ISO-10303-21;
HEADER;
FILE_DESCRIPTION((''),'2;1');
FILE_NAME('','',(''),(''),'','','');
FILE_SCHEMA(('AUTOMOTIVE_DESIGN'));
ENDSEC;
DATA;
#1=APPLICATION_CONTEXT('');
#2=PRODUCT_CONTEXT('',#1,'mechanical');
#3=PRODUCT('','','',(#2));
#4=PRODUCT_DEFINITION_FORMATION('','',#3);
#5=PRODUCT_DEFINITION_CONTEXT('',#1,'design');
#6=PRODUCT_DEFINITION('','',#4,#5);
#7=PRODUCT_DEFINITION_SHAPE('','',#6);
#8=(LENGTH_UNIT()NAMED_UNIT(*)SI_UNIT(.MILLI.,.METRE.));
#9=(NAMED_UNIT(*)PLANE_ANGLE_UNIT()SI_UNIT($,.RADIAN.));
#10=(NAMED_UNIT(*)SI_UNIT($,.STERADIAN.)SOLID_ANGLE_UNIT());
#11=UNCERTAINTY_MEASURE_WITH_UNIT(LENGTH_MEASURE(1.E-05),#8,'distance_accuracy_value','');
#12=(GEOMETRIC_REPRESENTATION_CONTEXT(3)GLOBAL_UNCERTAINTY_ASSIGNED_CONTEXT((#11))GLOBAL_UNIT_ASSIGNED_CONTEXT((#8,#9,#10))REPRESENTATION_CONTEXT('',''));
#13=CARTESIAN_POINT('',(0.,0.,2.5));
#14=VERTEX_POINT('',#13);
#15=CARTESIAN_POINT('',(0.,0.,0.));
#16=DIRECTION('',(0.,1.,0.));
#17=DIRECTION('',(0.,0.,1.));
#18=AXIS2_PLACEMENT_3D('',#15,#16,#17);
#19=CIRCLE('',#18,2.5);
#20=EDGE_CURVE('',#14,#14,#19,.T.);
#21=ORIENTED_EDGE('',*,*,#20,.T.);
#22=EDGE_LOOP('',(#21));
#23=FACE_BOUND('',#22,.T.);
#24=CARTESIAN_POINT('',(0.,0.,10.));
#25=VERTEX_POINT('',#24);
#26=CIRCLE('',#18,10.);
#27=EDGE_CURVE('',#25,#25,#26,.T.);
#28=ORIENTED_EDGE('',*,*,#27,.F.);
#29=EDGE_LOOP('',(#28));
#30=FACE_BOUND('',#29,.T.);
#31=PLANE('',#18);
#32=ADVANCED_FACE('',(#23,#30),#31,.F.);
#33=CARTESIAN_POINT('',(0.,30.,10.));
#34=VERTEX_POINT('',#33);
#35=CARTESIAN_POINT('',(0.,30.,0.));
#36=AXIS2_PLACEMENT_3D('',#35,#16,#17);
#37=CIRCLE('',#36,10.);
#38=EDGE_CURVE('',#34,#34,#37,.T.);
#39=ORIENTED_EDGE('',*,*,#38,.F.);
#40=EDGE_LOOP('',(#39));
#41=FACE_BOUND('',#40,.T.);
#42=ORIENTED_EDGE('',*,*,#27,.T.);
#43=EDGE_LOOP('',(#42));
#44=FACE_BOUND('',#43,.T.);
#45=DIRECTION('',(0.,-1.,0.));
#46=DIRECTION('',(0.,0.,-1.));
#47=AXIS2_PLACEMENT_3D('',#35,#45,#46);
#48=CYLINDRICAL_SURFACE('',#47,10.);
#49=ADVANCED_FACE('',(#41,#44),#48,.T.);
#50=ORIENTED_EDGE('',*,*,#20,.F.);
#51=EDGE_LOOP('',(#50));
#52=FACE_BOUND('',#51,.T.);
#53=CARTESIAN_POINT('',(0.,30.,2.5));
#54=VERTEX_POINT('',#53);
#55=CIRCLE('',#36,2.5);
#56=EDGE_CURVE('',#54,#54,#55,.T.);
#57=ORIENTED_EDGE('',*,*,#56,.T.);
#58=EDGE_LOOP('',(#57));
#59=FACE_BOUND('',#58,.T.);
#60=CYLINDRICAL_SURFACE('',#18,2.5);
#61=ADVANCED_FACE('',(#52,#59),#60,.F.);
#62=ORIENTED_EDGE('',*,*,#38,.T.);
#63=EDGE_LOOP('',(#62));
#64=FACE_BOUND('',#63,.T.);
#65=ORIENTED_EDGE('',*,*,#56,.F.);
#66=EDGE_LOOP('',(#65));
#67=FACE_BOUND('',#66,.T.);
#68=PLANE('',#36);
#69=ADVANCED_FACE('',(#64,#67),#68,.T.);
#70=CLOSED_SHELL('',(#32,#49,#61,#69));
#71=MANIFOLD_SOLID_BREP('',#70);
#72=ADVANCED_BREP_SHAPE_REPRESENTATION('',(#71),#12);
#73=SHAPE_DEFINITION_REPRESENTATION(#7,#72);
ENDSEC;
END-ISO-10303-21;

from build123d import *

# Parameters (mm, degrees)
SKETCH1_R           = 10
BOSS_EXTRUDE1_DEPTH = 30
SKETCH2_R           = 2.5
CUT_EXTRUDE1_DEPTH  = 30


with BuildPart() as part:
    # Sketch1 → Boss-Extrude1 (new body)
    with BuildSketch(Plane(origin=(0, 0, 0), x_dir=(1, 0, 0), z_dir=(0, 1, 0))):
        with Locations(Location((0, 0, 0), (0, 0, 270))):
            Circle(SKETCH1_R)
    extrude(amount=BOSS_EXTRUDE1_DEPTH)

    # Sketch2 → Cut-Extrude1 (cut)
    with BuildSketch(Plane(origin=(0, 30, 0), x_dir=(1, 0, 0), z_dir=(0, 1, 0))):
        with Locations(Location((0, 0, 0), (0, 0, 270))):
            Circle(SKETCH2_R)
    extrude(amount=-CUT_EXTRUDE1_DEPTH, mode=Mode.SUBTRACT)


solid = part.part
